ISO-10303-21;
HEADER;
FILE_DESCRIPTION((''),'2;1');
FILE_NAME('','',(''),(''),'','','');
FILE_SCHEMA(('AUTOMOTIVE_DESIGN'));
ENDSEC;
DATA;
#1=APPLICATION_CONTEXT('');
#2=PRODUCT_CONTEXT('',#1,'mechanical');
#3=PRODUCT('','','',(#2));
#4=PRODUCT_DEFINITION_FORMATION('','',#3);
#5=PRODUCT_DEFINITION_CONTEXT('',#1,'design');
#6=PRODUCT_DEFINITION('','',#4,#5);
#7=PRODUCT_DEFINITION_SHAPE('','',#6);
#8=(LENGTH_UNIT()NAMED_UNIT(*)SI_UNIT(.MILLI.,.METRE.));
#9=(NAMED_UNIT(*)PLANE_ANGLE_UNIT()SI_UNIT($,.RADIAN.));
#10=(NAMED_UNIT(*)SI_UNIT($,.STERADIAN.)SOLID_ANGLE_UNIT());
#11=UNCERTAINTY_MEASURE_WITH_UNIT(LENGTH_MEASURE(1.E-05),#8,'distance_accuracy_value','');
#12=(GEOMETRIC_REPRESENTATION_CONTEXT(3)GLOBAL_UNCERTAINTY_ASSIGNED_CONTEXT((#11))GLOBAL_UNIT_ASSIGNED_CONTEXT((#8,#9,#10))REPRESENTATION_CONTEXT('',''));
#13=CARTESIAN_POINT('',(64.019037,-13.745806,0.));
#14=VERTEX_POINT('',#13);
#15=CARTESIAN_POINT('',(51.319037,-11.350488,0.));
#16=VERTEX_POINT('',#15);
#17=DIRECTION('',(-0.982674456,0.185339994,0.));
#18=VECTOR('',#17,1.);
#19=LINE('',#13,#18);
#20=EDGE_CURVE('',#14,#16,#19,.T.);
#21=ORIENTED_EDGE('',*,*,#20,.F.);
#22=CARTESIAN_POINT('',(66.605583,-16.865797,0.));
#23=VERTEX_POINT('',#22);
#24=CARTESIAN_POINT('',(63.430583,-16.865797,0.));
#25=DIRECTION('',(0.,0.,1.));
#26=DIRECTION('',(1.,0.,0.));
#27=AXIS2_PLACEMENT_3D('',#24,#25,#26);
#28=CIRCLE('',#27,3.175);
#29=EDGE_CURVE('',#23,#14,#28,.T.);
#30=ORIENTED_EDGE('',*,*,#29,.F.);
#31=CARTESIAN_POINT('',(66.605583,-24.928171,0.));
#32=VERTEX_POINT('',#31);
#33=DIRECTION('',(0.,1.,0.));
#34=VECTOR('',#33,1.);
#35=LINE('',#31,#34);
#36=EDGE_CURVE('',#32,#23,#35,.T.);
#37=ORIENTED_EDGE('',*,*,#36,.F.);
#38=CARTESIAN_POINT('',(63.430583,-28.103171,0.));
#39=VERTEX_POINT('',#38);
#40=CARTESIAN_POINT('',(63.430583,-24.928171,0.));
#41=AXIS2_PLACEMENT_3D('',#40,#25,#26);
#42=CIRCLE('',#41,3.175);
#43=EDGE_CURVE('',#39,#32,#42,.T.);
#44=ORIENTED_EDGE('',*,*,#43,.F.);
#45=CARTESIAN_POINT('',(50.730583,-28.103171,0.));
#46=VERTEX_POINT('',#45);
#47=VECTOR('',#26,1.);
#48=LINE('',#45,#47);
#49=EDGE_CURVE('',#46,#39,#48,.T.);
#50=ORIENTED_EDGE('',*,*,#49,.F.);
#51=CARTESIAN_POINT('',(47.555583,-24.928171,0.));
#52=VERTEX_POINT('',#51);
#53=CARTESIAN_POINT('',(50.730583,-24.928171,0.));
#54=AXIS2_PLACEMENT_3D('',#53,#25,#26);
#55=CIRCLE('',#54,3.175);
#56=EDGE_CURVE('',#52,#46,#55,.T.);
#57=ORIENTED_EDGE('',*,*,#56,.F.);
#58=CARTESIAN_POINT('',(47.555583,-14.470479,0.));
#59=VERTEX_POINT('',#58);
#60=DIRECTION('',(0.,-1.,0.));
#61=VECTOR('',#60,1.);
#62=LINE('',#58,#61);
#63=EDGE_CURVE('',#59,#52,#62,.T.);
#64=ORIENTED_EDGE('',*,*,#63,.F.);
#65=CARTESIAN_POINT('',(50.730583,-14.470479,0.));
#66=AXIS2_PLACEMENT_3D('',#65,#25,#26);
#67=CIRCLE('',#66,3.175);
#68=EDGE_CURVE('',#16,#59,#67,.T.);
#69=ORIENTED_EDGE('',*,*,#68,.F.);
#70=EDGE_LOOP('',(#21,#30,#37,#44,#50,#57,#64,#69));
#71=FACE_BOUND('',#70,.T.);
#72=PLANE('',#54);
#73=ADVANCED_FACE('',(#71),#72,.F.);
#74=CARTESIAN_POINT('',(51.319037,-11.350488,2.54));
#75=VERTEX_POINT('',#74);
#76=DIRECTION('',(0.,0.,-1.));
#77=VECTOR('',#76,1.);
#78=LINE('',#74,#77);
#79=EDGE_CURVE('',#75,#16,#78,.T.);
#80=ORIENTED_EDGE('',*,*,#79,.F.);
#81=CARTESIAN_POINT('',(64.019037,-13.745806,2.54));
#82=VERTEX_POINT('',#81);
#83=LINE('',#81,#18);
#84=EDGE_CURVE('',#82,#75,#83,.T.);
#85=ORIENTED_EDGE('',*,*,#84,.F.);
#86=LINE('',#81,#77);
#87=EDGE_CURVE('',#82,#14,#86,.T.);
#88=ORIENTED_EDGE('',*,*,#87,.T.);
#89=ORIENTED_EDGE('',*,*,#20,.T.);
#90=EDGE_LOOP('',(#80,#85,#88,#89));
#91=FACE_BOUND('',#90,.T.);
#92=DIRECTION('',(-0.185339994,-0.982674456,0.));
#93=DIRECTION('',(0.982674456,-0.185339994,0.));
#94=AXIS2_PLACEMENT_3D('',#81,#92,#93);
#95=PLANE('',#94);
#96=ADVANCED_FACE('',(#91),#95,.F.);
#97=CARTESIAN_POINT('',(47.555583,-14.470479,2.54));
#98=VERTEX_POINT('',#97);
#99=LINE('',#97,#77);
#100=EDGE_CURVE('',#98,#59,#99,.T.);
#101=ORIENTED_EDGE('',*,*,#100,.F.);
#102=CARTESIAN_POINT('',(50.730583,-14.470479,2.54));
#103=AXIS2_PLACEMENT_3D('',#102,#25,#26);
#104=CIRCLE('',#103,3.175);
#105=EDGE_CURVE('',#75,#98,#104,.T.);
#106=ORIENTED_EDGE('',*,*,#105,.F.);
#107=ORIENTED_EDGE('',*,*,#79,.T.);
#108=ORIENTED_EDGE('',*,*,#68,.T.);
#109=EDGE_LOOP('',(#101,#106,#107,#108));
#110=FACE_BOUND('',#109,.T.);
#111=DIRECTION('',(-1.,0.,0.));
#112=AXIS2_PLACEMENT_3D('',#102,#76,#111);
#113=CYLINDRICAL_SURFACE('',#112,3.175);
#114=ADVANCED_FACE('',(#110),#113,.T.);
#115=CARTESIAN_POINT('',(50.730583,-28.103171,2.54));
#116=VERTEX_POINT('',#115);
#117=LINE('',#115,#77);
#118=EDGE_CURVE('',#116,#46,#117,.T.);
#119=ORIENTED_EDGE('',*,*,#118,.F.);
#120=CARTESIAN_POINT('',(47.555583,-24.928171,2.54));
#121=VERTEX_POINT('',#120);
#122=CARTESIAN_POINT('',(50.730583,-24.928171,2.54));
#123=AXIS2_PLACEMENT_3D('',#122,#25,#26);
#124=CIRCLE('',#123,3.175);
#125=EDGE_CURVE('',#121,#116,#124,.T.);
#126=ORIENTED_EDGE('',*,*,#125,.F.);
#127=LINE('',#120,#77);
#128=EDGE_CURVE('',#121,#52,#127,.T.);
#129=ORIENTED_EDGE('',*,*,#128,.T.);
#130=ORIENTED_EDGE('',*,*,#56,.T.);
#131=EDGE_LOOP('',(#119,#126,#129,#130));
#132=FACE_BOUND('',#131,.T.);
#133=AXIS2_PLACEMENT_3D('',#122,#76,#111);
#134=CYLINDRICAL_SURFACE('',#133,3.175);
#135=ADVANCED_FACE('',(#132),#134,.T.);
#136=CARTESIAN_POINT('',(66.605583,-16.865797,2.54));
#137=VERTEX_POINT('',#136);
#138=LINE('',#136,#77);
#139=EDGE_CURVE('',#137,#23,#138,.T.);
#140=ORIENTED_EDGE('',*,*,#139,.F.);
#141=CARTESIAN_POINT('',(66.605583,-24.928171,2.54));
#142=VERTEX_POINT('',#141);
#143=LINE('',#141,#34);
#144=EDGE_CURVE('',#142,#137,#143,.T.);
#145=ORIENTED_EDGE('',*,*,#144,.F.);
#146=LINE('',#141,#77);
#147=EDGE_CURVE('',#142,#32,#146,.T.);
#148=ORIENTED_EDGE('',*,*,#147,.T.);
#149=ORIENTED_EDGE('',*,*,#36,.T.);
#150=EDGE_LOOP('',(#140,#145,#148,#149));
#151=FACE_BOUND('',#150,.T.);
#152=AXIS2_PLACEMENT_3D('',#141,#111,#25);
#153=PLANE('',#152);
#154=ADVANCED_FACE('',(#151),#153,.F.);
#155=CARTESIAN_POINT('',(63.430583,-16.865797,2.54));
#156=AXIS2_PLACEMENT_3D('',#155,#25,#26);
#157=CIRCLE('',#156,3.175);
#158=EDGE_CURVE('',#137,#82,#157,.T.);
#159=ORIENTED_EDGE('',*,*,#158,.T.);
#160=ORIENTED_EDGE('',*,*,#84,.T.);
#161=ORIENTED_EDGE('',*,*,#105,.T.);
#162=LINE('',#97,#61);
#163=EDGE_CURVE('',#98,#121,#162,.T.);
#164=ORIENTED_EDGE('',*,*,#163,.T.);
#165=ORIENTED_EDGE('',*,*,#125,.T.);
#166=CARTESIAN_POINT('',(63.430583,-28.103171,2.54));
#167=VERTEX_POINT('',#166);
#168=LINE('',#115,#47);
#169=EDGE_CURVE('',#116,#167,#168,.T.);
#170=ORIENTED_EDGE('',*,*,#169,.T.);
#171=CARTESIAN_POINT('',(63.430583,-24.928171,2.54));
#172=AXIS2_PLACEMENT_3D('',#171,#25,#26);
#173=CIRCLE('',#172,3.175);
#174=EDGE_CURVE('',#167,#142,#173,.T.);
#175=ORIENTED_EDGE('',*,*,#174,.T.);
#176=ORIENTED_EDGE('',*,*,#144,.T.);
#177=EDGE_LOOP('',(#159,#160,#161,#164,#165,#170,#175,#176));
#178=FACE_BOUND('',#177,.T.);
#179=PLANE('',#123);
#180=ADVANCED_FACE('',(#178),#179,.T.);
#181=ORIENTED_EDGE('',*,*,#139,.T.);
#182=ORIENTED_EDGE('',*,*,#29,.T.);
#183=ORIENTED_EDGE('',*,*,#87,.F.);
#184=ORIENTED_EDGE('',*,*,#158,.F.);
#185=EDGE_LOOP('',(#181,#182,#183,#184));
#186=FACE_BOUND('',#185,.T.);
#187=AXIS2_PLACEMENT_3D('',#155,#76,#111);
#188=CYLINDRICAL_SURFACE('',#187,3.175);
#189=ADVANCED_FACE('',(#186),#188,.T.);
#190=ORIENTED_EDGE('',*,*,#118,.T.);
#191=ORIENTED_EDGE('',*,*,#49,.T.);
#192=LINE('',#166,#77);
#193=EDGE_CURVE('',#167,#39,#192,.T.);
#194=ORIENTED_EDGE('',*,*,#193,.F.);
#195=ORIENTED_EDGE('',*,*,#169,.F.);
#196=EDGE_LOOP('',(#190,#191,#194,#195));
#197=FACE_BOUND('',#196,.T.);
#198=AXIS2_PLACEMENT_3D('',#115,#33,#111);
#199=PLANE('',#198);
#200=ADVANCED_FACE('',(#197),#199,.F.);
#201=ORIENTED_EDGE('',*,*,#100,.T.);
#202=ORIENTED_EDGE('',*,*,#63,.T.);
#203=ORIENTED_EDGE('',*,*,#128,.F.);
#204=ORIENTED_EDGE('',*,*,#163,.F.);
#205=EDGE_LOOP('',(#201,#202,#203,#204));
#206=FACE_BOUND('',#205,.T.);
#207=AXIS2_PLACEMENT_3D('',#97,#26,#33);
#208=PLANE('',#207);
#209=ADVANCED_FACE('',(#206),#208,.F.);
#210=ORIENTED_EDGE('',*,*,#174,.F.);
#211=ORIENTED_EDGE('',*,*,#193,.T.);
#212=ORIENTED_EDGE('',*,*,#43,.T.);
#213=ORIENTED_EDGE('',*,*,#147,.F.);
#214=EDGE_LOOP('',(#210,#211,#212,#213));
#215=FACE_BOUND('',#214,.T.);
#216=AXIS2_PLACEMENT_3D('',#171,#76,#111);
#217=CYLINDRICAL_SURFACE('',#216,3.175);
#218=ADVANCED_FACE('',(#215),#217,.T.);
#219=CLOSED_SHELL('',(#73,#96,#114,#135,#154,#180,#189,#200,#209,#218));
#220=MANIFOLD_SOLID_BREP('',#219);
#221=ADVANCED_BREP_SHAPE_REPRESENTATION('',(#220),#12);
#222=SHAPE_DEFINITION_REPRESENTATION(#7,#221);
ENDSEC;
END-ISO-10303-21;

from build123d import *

# Parameters (mm, degrees)
BOSS_EXTRUDE1_DEPTH = 2.54


with BuildPart() as part:
    # Sketch1 → Boss-Extrude1 (new body)
    with BuildSketch(Plane.XY):
        with BuildLine():
            Line((50.730582605, -28.103170966), (63.430582605, -28.103170966))
            ThreePointArc((63.430582605, -28.103170966), (65.675646636, -27.173234997), (66.605582605, -24.928170966))
            Line((66.605582605, -24.928170966), (66.605582605, -16.865797072))
            ThreePointArc((66.605582605, -16.865797072), (65.874858365, -14.839435552), (64.019037087, -13.745805674))
            Line((64.019037087, -13.745805674), (51.319037087, -11.350487557))
            ThreePointArc((51.319037087, -11.350487557), (48.704221085, -12.026203195), (47.555582605, -14.470478955))
            Line((47.555582605, -14.470478955), (47.555582605, -24.928170966))
            ThreePointArc((47.555582605, -24.928170966), (48.485518575, -27.173234997), (50.730582605, -28.103170966))
        make_face()
    extrude(amount=BOSS_EXTRUDE1_DEPTH)


solid = part.part
